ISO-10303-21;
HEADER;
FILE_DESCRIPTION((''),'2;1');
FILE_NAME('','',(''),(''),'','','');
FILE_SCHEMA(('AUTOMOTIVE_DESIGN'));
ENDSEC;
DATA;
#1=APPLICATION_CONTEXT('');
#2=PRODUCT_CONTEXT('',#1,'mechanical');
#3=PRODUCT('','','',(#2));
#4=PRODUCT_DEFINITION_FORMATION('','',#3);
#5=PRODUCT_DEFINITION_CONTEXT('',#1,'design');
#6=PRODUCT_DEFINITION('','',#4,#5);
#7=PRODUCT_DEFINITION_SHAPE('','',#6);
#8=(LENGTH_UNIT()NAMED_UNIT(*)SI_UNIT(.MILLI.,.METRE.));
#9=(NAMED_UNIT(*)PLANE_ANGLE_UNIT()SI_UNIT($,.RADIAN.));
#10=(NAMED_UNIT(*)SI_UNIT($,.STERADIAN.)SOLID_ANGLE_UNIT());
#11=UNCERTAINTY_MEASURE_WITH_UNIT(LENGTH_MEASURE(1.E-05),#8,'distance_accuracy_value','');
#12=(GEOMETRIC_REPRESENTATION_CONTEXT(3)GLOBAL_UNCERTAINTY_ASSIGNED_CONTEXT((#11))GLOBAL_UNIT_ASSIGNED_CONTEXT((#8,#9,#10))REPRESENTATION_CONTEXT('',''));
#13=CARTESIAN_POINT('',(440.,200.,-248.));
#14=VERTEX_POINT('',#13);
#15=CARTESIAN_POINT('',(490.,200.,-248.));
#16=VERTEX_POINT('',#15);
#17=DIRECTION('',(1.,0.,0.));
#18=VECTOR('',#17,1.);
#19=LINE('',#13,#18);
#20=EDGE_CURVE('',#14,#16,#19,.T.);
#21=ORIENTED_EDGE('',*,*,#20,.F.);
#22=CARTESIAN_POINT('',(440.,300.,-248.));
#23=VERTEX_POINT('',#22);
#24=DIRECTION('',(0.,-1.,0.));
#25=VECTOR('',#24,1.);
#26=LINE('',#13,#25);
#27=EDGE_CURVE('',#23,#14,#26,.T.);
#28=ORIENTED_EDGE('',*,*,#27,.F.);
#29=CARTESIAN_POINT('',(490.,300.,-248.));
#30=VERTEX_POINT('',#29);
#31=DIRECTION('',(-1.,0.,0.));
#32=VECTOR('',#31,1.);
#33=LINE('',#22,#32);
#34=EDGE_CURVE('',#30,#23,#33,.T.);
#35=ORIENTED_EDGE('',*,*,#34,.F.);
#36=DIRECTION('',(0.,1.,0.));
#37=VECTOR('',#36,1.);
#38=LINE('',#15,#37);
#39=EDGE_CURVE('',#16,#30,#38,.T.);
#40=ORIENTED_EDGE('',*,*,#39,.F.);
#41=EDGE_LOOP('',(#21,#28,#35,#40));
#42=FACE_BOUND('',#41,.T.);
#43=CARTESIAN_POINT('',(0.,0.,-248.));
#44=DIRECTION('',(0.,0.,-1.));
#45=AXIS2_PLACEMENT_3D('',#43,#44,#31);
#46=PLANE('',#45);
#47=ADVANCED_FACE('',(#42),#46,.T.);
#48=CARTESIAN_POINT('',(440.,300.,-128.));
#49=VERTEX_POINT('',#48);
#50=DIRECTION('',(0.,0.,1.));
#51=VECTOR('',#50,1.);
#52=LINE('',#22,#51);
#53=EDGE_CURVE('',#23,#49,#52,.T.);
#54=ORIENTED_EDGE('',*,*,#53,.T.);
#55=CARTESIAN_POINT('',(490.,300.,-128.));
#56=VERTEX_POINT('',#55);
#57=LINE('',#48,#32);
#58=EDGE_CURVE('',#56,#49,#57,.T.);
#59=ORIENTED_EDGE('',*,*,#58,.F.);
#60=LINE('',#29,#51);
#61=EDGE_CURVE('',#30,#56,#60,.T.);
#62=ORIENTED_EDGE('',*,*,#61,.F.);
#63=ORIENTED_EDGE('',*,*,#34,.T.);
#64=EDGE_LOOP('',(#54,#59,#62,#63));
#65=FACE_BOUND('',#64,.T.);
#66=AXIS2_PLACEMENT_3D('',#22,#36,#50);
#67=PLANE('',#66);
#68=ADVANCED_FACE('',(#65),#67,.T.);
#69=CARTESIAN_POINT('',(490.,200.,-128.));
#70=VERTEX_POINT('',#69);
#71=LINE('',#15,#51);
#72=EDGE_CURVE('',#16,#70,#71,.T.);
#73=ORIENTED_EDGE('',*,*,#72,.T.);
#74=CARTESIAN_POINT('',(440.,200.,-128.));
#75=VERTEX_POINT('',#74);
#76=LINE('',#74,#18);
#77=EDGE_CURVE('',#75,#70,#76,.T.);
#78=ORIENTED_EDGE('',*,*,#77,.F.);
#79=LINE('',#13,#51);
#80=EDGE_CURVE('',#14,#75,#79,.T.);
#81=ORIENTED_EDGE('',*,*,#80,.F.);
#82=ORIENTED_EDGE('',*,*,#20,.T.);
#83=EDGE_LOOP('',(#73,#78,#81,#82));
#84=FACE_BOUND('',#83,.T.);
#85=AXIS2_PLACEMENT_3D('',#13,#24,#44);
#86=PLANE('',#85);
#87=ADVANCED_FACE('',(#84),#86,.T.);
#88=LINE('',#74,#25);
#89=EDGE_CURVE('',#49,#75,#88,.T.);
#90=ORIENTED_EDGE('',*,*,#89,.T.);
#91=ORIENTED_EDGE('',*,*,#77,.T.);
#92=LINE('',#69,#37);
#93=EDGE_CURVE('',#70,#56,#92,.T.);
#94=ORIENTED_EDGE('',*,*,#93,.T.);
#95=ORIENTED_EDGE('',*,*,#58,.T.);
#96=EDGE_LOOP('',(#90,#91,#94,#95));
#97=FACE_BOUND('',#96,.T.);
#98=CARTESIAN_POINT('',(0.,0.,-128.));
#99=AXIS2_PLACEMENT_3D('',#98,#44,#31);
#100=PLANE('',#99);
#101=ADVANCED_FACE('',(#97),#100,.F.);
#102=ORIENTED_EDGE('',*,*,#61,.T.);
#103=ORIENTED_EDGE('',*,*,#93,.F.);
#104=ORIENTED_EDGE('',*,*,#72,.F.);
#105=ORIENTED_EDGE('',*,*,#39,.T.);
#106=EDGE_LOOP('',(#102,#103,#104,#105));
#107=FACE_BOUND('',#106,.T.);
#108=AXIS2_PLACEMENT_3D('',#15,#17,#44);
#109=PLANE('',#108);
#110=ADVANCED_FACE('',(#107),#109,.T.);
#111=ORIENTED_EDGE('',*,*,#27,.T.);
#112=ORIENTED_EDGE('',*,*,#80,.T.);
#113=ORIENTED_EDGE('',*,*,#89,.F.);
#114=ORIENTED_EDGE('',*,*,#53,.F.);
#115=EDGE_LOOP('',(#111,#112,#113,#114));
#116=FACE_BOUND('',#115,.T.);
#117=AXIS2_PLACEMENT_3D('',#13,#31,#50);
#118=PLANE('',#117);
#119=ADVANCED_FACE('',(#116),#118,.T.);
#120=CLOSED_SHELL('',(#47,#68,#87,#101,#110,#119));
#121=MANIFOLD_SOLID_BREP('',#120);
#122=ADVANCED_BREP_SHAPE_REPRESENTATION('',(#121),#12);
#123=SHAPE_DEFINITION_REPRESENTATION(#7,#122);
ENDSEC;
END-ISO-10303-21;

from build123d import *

# Parameters (mm, degrees)
OVEN_PANO_SURUCU_PRES_1_START = -128
SKETCH1_W                     = 50
SKETCH1_H                     = 100
OVEN_PANO_SURUCU_PRES_1_DEPTH = 120


with BuildPart() as part:
    # Sketch1 → OVEN_pano_surucu_pres_1 (new body)
    with BuildSketch(Plane.XY.offset(OVEN_PANO_SURUCU_PRES_1_START)):
        with Locations((465, 250)):
            Rectangle(SKETCH1_W, SKETCH1_H)
    extrude(amount=-OVEN_PANO_SURUCU_PRES_1_DEPTH)


solid = part.part
